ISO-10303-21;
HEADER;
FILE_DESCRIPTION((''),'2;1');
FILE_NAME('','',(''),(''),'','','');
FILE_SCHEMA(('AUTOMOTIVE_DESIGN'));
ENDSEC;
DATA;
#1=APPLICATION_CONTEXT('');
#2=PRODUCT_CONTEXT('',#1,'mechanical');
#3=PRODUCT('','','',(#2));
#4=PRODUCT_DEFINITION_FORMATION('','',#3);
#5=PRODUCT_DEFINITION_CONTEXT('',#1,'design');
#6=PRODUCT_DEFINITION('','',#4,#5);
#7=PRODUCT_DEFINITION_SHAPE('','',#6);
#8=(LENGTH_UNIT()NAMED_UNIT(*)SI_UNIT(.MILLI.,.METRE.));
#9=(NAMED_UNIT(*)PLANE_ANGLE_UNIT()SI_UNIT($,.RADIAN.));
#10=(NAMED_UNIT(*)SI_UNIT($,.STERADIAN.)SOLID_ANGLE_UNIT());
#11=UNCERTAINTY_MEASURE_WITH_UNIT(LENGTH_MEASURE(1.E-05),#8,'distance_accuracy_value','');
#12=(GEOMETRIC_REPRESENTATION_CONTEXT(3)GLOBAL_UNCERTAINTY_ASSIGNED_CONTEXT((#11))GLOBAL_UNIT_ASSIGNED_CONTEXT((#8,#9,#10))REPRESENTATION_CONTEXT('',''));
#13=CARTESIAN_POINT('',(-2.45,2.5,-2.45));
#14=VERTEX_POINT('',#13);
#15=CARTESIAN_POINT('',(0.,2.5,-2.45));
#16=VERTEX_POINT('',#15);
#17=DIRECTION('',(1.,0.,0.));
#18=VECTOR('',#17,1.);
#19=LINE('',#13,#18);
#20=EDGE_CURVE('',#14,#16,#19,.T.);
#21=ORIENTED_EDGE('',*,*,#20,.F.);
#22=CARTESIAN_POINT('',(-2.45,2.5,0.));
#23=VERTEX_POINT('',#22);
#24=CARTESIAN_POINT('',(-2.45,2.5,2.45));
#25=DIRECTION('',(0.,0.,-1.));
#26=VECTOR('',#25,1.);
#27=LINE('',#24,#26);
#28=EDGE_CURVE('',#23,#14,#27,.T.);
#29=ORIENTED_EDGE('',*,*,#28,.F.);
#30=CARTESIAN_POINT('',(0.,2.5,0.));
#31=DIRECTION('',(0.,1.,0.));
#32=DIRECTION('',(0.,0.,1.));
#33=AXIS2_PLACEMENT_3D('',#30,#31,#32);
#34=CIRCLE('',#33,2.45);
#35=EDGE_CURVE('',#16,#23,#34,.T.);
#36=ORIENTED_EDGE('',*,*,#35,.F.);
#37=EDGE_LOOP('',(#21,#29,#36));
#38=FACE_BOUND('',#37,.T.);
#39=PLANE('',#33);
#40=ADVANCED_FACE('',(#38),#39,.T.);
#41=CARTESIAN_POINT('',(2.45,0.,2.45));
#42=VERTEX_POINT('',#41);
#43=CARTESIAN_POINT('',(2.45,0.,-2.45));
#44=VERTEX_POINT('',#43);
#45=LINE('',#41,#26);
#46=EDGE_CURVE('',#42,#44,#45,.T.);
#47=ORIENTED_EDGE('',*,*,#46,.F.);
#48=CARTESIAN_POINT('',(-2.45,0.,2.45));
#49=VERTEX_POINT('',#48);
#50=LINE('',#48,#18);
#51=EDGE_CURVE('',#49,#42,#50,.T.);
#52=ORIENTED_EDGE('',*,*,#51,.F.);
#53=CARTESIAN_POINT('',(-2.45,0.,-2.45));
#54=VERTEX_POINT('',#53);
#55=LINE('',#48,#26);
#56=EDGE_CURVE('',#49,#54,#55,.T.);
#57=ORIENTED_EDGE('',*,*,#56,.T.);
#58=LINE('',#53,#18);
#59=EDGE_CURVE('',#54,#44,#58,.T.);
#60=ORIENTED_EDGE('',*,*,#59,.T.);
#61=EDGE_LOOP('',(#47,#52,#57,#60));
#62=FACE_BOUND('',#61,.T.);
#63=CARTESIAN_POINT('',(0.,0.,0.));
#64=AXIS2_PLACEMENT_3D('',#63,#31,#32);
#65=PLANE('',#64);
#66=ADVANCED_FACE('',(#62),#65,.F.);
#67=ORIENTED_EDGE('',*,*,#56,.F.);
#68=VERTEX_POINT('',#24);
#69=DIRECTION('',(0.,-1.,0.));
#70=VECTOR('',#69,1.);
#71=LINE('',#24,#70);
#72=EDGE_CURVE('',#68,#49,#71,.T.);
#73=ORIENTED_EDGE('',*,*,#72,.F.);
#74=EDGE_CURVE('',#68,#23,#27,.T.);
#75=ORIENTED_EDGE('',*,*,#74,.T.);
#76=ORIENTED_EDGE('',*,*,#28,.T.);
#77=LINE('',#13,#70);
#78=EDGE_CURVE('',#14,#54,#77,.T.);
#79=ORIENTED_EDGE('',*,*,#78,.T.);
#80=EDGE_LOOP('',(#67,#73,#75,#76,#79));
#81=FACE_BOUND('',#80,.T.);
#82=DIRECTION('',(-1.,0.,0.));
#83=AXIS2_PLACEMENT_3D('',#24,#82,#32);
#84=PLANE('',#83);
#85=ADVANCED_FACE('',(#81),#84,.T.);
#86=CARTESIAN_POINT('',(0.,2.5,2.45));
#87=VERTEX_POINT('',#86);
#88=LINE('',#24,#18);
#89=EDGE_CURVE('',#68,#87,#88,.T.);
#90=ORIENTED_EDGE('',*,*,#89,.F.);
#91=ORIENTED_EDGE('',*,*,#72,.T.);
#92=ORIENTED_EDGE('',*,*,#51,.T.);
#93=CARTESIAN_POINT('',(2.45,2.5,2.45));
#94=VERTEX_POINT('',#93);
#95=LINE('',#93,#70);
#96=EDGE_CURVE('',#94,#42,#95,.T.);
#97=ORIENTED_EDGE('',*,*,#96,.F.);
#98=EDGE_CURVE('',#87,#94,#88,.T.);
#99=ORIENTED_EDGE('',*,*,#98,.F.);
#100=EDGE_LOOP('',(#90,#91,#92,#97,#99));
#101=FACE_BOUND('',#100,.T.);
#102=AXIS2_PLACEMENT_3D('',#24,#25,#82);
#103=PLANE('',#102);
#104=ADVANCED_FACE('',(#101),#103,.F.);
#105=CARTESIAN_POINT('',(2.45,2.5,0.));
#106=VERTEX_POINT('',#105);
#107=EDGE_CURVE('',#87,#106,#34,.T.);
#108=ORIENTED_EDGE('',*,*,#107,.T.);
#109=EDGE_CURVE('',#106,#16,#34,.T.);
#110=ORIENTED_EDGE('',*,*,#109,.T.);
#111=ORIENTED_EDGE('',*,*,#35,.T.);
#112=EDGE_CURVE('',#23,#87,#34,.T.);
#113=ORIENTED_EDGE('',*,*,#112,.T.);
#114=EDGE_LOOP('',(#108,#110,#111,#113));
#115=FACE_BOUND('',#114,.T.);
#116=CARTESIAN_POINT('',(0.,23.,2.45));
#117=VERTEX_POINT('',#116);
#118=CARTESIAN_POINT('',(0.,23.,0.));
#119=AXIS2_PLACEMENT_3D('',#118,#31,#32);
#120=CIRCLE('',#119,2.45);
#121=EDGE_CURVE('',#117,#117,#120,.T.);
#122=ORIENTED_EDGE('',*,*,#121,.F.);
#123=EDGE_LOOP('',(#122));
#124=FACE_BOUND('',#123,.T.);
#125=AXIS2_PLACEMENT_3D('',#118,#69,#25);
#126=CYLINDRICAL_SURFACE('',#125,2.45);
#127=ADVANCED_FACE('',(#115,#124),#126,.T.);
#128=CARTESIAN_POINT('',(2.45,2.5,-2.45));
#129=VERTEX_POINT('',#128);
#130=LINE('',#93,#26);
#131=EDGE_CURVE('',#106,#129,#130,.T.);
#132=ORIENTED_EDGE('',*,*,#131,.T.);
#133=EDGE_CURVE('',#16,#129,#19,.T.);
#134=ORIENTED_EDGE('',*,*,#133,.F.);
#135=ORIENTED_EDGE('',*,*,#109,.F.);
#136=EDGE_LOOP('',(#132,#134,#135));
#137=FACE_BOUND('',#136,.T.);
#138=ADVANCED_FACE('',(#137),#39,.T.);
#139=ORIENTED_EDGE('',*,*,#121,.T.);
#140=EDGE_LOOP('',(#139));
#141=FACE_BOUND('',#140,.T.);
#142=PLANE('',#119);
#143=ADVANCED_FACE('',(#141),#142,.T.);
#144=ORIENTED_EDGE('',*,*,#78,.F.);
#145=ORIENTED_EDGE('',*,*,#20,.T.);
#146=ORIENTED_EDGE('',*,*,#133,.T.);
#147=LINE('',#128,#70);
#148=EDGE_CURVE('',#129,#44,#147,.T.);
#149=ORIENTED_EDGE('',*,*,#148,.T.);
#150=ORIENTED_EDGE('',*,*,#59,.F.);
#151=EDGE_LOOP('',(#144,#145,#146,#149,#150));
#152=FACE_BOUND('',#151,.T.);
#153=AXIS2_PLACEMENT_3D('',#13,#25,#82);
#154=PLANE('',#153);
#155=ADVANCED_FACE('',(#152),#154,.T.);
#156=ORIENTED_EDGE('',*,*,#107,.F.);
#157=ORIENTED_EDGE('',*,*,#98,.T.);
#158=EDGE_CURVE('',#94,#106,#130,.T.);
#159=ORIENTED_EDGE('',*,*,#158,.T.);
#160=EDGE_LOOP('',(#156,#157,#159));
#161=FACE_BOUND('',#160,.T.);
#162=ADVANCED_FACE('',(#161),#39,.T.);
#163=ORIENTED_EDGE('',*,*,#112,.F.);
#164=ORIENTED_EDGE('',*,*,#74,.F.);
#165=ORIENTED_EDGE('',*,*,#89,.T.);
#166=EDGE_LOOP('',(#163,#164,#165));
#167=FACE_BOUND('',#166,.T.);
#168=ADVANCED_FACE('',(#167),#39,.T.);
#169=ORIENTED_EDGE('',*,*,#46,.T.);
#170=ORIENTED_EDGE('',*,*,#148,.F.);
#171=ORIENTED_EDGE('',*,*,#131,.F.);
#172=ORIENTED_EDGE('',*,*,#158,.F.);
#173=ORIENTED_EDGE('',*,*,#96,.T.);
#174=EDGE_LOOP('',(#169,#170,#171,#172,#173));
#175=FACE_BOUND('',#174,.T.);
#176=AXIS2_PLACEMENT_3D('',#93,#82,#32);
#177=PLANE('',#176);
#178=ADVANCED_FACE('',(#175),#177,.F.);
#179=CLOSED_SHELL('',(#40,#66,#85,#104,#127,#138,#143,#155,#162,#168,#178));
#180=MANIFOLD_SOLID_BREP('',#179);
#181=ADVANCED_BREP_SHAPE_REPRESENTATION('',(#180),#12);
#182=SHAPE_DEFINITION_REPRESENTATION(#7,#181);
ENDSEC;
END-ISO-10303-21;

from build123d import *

# Parameters (mm, degrees)
SKETCH1_W           = 4.9
SKETCH1_H           = 4.9
BOSS_EXTRUDE1_DEPTH = 2.5
SKETCH2_R           = 2.45
BOSS_EXTRUDE2_DEPTH = 20.5


with BuildPart() as part:
    # Sketch1 → Boss-Extrude1 (new body)
    with BuildSketch(Plane(origin=(0, 0, 0), x_dir=(1, 0, 0), z_dir=(0, 1, 0))):
        Rectangle(SKETCH1_W, SKETCH1_H)
    extrude(amount=BOSS_EXTRUDE1_DEPTH)

    # Sketch2 → Boss-Extrude2 (add)
    with BuildSketch(Plane(origin=(0, 2.5, 0), x_dir=(1, 0, 0), z_dir=(0, 1, 0))):
        with Locations(Location((0, 0, 0), (0, 0, 270))):
            Circle(SKETCH2_R)
    extrude(amount=BOSS_EXTRUDE2_DEPTH)


solid = part.part
